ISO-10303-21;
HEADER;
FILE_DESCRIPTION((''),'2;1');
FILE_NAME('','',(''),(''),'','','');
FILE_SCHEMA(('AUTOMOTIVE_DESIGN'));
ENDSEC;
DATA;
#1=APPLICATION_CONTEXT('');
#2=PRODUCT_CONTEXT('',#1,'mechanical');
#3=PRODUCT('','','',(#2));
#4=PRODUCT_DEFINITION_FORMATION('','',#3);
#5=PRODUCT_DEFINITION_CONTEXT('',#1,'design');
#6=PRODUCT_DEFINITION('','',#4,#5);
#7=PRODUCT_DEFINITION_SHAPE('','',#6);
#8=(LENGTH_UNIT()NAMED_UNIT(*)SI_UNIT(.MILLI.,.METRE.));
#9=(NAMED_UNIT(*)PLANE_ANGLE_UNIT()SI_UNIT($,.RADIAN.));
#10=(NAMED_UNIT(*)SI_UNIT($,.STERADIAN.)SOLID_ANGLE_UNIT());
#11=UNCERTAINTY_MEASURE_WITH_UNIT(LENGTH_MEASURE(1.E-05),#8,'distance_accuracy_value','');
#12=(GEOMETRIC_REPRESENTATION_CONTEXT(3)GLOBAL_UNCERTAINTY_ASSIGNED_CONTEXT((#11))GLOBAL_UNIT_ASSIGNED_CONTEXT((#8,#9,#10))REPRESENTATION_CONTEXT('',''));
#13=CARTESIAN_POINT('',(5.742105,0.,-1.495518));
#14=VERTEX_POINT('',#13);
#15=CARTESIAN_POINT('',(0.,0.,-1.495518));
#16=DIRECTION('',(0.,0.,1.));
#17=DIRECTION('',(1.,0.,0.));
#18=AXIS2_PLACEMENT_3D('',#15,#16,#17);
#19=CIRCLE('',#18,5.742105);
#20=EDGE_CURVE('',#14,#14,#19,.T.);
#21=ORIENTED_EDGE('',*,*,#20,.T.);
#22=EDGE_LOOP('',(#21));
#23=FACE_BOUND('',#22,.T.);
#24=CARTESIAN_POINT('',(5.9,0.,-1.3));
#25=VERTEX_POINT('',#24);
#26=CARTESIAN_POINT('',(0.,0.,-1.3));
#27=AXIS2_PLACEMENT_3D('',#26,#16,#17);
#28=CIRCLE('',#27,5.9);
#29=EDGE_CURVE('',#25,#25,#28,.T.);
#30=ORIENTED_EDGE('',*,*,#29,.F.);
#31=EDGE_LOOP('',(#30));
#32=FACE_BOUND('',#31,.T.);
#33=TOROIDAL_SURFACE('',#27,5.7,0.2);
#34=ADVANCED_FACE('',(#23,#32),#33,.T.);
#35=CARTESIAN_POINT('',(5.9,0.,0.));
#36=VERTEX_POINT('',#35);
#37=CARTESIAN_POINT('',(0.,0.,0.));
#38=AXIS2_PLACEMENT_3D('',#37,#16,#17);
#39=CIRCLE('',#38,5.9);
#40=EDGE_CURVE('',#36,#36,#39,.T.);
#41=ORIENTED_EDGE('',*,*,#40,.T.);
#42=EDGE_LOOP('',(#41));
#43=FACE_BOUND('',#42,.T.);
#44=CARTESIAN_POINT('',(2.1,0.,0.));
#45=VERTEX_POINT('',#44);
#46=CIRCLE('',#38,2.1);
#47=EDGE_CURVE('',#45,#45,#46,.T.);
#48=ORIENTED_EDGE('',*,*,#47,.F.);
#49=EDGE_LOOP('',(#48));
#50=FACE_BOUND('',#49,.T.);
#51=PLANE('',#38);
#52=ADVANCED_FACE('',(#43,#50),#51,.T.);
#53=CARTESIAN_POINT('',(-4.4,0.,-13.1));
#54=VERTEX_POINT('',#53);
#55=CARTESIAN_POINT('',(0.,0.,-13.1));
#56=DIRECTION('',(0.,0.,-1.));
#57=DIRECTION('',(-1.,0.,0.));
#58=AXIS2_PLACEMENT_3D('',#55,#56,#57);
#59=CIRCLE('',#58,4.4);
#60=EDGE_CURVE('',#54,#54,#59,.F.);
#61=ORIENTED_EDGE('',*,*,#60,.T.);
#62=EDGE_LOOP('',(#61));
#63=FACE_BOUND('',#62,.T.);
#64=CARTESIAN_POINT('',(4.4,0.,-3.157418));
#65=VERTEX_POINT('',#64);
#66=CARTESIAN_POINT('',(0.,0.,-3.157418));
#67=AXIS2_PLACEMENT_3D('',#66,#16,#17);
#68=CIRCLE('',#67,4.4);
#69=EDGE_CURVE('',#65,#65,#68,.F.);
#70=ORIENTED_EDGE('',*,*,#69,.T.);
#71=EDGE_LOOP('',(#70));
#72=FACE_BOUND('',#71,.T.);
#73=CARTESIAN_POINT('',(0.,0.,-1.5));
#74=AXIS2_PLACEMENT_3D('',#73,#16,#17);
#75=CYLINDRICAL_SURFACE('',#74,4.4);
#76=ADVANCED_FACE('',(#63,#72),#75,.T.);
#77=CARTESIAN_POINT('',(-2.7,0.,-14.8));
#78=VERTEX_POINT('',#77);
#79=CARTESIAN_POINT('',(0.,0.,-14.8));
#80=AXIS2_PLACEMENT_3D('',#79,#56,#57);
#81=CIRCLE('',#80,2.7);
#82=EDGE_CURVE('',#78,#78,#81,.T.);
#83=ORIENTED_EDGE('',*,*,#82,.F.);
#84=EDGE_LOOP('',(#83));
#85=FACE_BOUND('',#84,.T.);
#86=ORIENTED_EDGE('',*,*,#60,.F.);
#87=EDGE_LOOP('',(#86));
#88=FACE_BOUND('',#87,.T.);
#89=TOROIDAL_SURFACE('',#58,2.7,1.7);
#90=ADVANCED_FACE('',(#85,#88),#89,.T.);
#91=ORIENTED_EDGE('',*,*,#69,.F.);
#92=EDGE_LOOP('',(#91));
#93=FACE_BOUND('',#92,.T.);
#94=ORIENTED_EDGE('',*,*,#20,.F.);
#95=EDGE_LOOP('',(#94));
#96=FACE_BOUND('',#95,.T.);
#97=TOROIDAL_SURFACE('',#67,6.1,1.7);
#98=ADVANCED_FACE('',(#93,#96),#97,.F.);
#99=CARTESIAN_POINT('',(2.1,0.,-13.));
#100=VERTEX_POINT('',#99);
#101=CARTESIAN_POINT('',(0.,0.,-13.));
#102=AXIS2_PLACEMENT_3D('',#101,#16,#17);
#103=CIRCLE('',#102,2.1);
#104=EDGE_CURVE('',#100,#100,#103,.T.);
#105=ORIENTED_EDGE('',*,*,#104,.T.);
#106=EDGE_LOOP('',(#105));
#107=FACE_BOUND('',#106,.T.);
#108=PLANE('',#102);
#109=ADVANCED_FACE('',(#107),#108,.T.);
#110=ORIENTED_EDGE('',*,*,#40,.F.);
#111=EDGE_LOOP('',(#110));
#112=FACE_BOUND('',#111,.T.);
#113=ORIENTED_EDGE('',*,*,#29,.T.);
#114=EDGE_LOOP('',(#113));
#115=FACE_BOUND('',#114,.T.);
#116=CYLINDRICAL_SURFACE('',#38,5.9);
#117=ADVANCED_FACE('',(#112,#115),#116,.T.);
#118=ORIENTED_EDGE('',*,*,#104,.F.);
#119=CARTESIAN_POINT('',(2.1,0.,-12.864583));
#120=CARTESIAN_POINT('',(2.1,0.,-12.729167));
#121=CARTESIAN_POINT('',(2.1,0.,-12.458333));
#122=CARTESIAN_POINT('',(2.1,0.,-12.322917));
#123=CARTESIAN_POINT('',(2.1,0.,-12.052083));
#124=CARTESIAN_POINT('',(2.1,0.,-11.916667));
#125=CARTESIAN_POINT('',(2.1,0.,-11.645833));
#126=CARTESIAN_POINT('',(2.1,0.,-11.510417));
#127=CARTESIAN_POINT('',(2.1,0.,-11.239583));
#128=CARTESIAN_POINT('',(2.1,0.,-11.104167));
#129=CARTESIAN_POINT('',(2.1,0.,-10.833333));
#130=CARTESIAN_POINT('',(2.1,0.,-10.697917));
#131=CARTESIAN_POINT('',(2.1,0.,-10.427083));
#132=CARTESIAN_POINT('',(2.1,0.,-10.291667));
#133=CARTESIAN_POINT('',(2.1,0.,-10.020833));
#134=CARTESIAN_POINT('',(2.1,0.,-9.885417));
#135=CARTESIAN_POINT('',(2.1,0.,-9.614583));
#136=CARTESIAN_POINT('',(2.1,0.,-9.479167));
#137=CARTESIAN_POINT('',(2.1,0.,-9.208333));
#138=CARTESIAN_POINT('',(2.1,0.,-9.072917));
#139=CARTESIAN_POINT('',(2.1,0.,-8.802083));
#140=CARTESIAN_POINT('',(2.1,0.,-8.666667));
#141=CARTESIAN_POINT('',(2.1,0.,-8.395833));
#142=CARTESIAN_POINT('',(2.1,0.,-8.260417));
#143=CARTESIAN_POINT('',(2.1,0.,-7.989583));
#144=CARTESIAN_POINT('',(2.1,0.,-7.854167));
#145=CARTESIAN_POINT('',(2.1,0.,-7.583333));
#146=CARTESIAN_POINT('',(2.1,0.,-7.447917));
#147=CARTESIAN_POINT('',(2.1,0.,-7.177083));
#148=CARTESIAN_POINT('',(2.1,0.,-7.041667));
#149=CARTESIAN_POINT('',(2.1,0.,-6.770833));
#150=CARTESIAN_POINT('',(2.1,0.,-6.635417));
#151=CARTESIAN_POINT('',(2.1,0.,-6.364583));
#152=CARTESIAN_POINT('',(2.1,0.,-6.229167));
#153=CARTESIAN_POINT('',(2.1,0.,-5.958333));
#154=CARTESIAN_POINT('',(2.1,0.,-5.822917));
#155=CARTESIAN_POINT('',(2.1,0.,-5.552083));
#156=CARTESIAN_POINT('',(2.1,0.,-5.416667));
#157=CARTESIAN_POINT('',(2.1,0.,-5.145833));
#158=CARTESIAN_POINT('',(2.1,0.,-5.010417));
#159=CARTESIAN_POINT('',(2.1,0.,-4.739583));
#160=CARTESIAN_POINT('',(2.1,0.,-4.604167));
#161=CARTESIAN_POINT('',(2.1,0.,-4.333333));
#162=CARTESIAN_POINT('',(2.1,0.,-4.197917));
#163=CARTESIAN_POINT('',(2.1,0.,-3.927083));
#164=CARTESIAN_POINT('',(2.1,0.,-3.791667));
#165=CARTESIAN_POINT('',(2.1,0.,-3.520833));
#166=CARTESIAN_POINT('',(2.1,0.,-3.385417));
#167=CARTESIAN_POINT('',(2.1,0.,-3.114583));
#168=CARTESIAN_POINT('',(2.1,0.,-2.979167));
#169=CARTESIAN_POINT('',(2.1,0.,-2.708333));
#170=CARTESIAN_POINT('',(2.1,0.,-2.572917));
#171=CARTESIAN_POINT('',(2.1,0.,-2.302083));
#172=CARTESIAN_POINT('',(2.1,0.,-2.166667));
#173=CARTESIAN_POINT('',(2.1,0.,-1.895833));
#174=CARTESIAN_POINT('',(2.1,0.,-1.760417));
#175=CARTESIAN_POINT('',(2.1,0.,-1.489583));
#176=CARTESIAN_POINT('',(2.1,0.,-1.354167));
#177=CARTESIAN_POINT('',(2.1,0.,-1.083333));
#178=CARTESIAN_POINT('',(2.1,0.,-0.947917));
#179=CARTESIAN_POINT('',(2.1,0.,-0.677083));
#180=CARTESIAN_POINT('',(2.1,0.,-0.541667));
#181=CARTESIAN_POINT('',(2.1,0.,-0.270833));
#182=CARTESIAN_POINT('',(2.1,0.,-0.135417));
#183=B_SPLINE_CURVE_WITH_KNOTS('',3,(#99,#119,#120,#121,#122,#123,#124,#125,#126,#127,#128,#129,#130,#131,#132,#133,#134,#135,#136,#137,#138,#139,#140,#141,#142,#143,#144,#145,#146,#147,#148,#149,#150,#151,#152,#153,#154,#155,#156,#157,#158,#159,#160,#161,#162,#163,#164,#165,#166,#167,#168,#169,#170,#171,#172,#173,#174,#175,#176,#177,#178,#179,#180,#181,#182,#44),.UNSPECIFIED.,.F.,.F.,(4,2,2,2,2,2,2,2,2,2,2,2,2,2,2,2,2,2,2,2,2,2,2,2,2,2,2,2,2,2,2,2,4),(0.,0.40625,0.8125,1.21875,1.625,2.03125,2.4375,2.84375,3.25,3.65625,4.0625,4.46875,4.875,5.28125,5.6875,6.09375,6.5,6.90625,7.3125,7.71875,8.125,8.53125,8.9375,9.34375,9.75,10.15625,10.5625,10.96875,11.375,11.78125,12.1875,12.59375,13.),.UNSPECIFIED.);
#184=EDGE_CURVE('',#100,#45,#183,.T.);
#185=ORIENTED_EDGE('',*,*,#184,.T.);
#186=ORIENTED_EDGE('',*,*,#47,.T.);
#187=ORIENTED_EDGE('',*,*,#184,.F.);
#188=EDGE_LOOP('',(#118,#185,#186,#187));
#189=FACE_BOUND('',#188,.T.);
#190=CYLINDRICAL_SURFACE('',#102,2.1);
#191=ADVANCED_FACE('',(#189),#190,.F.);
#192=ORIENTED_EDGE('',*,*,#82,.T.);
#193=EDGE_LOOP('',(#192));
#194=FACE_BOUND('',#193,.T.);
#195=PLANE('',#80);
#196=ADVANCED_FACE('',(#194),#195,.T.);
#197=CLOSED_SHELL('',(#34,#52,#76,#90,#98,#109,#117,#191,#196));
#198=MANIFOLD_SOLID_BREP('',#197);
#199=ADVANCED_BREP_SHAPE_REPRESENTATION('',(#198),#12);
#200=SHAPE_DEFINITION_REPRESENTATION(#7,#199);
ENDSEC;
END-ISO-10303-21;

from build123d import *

# Parameters (mm, degrees)
CROQUIS1_W            = 5.9
CROQUIS1_H            = 14.8
CROQUIS2_R            = 2.1
CORTAR_EXTRUIR2_DEPTH = 13
CROQUIS23_W           = 1.5
CROQUIS23_H           = 13.3
REDONDEO1_R           = 0.2
REDONDEO2_R           = 1.7
REDONDEO3_R           = 1.7


with BuildPart() as part:
    # Croquis1 → Revolución1 (revolve)
    with BuildSketch(Plane(origin=(0, 0, 0), x_dir=(1, 0, 0), z_dir=(0, 1, 0))):
        with Locations((2.95, 7.4)):
            Rectangle(CROQUIS1_W, CROQUIS1_H)
    revolve(axis=Axis((0, 0, 0), (0, 0, -1)))

    # Croquis2 → Cortar-Extruir2 (cut)
    with BuildSketch(Plane.XY):
        Circle(CROQUIS2_R)
    extrude(amount=-CORTAR_EXTRUIR2_DEPTH, mode=Mode.SUBTRACT)

    # Croquis23 → Cortar-Revolución2 (revolve, cut)
    with BuildSketch(Plane(origin=(0, 0, 0), x_dir=(1, 0, 0), z_dir=(0, 1, 0))):
        with Locations((5.15, 8.15)):
            Rectangle(CROQUIS23_W, CROQUIS23_H)
    revolve(axis=Axis((0, 0, -1.5), (0, 0, -1)), mode=Mode.SUBTRACT)

    # Redondeo1
    redondeo1_edges = [part.edges().sort_by_distance(p)[0] for p in [
        (-5.9, 0, -1.5),
    ]]
    fillet(redondeo1_edges, radius=REDONDEO1_R)

    # Redondeo2
    redondeo2_edges = [part.edges().sort_by_distance(p)[0] for p in [
        (-4.4, 0, -14.8),
    ]]
    fillet(redondeo2_edges, radius=REDONDEO2_R)

    # Redondeo3
    redondeo3_edges = [part.edges().sort_by_distance(p)[0] for p in [
        (-4.4, 0, -1.5),
    ]]
    fillet(redondeo3_edges, radius=REDONDEO3_R)


solid = part.part
